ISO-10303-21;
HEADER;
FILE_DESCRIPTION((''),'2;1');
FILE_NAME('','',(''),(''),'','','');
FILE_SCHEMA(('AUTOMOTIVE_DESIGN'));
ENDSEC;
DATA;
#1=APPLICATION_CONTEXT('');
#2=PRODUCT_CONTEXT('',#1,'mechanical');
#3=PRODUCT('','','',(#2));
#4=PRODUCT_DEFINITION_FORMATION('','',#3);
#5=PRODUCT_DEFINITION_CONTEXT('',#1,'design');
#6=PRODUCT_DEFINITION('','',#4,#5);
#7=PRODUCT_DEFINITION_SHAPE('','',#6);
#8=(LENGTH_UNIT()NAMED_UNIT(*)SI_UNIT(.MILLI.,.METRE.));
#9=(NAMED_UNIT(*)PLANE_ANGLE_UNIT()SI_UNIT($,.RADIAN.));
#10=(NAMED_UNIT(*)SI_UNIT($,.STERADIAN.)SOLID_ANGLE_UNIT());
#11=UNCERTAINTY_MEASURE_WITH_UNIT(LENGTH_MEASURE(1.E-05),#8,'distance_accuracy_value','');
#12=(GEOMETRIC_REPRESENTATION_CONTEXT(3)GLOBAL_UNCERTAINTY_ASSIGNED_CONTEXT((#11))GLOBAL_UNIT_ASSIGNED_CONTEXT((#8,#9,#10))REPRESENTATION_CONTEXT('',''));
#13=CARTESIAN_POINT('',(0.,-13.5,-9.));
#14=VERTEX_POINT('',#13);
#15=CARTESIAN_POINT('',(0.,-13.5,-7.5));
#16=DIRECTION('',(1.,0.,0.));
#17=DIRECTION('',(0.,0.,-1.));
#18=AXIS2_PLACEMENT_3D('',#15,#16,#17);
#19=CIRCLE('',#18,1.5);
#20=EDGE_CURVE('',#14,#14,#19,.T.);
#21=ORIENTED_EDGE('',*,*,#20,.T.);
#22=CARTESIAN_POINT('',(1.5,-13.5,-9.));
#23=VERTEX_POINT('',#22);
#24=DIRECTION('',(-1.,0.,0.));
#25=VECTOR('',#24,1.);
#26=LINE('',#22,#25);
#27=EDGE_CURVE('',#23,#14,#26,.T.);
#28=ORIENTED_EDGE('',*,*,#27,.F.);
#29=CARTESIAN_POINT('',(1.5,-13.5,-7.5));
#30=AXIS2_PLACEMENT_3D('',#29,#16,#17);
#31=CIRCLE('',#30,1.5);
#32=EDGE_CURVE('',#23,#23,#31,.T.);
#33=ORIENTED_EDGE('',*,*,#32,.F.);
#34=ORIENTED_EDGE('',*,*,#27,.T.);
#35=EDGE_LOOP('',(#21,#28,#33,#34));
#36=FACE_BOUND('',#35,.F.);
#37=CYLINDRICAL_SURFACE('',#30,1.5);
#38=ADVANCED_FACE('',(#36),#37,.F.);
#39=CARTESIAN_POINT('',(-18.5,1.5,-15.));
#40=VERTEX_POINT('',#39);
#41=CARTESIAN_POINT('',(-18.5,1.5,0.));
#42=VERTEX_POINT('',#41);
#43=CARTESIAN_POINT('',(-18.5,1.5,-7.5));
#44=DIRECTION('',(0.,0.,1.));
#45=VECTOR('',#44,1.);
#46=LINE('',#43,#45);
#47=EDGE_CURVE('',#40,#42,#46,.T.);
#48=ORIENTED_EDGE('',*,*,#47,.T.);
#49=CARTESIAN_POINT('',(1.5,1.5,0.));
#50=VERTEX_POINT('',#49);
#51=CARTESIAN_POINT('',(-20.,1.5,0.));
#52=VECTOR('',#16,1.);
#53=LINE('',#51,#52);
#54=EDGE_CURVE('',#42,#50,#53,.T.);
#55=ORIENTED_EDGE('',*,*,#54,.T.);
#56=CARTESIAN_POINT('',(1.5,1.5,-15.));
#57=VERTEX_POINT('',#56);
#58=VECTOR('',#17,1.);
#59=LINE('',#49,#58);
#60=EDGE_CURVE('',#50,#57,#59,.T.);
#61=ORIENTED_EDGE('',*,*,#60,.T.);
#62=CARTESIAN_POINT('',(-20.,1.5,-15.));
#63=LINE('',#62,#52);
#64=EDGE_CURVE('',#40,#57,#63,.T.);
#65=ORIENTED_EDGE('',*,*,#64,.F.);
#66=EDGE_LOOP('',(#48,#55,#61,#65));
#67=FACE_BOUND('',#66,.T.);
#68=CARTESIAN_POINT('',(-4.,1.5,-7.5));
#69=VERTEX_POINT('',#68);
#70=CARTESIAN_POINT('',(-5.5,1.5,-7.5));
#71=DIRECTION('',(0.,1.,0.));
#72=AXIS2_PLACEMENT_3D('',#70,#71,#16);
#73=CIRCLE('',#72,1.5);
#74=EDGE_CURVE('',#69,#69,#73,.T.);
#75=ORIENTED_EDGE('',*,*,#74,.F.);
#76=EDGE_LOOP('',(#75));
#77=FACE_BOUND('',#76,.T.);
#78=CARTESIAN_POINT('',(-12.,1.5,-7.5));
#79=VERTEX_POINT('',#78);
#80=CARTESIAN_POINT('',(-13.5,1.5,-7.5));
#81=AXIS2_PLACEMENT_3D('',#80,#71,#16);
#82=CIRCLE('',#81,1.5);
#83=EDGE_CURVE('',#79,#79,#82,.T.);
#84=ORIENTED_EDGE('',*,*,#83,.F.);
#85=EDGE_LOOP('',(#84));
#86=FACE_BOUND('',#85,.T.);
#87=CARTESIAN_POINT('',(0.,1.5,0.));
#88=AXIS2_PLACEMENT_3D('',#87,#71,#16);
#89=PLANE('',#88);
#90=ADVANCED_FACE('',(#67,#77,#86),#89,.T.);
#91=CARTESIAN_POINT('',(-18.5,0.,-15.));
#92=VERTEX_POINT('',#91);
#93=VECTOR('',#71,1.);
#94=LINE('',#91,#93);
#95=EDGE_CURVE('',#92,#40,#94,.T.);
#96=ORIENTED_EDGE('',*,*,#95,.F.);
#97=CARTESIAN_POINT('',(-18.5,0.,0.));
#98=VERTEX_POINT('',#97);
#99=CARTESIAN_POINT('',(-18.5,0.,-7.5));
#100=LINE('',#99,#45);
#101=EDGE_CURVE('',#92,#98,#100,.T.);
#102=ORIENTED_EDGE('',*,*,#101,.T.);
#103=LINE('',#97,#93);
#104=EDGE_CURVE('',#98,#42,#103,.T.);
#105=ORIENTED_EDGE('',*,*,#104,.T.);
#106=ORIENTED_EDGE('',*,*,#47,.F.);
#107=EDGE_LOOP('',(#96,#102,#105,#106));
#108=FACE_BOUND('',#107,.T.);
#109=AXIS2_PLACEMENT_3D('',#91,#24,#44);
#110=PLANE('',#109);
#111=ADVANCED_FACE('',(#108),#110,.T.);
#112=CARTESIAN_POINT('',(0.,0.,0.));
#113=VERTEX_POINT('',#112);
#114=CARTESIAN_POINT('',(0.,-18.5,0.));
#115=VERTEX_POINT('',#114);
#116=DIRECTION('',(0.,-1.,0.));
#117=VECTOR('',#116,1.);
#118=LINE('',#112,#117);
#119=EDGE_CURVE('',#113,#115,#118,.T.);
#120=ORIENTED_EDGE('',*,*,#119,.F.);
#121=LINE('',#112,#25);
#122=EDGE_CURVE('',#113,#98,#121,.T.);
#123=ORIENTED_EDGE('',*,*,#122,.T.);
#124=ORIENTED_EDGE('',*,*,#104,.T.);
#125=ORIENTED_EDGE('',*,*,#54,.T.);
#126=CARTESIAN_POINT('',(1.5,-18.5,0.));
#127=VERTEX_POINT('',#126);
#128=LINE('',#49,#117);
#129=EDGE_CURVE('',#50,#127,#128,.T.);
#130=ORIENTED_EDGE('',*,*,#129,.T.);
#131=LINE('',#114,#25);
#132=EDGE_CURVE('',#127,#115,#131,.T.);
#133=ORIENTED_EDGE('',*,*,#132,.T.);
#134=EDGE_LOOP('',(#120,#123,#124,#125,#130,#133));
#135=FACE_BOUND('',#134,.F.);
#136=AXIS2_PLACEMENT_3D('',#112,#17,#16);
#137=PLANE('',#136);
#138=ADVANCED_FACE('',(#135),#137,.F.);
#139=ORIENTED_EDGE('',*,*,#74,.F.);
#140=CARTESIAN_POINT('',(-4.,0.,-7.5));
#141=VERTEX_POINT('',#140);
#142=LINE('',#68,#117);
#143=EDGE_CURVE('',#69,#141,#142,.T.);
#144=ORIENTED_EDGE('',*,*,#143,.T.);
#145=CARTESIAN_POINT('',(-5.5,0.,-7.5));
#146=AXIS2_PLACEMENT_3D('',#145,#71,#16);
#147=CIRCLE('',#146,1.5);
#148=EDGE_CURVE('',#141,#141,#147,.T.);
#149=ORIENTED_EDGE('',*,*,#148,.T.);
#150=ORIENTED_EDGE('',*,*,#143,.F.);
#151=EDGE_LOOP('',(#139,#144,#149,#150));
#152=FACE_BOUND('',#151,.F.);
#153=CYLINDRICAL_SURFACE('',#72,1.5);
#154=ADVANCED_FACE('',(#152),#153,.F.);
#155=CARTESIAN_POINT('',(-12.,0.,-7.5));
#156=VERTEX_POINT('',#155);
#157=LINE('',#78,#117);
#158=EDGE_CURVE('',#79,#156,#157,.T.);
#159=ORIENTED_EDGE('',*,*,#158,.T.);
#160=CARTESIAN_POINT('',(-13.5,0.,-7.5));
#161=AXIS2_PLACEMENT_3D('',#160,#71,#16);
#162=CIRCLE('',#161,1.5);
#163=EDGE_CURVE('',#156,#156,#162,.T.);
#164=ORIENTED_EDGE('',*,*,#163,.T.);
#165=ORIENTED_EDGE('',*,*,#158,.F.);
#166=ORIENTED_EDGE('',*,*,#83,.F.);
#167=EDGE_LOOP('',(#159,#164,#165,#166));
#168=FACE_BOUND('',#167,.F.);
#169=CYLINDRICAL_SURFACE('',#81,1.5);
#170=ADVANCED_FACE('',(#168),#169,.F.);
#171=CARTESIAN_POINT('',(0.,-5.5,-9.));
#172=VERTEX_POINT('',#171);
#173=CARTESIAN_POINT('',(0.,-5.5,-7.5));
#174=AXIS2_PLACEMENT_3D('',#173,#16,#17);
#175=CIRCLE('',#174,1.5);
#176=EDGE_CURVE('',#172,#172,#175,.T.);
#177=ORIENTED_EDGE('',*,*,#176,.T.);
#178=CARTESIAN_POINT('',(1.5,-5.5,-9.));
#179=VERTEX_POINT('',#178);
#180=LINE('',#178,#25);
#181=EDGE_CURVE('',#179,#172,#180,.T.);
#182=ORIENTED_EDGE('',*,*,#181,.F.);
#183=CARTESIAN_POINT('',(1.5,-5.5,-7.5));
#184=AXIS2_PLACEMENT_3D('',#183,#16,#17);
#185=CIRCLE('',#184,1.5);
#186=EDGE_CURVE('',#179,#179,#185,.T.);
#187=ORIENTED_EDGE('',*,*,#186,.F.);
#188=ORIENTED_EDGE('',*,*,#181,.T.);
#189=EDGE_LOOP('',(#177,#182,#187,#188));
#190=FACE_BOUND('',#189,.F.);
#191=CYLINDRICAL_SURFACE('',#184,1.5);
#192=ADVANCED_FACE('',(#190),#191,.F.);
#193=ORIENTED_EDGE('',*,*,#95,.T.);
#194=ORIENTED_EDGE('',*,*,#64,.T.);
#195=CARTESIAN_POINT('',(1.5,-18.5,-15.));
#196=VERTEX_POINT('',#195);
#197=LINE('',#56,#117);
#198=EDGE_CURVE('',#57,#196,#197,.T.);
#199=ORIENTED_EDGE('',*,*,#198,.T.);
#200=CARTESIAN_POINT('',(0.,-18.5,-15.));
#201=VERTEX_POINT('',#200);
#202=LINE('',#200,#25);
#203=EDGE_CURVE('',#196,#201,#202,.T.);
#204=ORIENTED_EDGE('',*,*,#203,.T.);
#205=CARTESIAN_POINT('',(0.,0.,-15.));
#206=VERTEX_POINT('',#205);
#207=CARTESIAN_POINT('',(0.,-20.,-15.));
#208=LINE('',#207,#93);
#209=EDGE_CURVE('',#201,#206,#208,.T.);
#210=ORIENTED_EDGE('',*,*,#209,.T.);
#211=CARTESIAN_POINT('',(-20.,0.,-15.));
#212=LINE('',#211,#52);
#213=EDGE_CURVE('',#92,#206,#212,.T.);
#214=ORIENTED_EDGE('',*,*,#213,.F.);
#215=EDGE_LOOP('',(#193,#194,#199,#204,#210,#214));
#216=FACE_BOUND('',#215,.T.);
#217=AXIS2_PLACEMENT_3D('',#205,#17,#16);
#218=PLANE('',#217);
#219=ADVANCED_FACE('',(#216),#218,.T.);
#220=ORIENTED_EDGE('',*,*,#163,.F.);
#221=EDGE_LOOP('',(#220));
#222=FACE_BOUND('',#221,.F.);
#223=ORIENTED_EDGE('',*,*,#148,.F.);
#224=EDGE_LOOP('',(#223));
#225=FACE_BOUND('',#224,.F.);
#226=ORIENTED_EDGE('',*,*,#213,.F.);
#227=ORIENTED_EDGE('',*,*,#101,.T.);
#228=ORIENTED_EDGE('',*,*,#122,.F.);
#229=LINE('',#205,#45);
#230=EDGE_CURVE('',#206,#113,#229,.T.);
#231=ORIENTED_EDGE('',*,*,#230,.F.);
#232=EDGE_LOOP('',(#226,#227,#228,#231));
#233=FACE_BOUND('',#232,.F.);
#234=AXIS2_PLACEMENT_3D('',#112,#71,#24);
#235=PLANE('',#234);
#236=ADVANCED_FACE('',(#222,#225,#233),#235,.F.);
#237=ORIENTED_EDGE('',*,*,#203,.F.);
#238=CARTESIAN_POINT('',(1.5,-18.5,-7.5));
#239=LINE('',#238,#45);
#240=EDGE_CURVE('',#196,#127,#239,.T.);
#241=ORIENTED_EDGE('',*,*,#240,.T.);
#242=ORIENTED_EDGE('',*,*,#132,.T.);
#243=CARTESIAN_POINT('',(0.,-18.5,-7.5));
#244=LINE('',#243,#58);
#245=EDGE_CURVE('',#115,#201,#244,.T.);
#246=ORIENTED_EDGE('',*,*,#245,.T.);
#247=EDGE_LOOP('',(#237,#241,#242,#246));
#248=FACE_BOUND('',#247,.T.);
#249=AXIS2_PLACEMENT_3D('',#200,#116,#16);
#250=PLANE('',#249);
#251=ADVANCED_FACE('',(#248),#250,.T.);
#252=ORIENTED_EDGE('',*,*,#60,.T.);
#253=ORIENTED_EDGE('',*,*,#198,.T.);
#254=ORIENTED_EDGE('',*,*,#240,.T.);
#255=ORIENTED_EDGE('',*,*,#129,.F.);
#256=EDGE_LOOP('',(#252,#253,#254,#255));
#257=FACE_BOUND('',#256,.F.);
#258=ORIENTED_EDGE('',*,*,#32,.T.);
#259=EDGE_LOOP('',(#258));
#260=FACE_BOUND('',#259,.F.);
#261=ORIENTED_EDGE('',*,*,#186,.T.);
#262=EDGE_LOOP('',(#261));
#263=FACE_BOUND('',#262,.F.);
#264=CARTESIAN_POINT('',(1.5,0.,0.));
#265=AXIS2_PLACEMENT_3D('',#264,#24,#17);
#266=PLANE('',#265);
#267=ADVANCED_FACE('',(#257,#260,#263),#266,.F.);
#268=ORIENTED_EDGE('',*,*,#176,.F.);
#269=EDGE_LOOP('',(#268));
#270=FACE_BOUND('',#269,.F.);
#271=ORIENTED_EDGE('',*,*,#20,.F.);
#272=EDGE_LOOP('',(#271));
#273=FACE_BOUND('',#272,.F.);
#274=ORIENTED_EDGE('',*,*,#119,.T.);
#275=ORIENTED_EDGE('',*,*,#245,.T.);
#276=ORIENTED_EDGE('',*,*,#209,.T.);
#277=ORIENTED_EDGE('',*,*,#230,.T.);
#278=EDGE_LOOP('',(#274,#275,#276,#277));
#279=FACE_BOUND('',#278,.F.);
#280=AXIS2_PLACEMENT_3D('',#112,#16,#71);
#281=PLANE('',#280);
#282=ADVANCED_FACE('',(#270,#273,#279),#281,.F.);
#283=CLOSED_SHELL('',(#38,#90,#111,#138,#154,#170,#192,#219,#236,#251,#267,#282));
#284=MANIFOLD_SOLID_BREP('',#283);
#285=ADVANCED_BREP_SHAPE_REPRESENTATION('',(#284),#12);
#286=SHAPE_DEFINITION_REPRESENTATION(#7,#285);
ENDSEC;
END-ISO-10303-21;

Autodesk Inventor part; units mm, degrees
ref_plane "YZ Plane" through (0, 0, 0) normal (1, 0, 0) x (0, 1, 0)
ref_plane "XZ Plane" through (0, 0, 0) normal (0, 1, 0) x (-1, 0, 0)
ref_plane "XY Plane" through (0, 0, 0) normal (0, 0, 1) x (1, 0, 0)
sketch "スケッチ1" plane through (0, 0, 0) normal (0, 1, 0) x (-1, 0, 0)
  line L0 (0, 0) -> (20, 0)
  line L1 (20, 0) -> (20, -15)
  line L2 (20, -15) -> (0, -15)
  line L3 (0, -15) -> (0, 0)
  dimension "d0" = 20
  dimension "d1" = 15
sketch "スケッチ2" plane through (0, 0, 0) normal (1, 0, 0) x (0, 1, 0)
  line L0 (0, 0) -> (-20, 0)
  line L1 (-20, 0) -> (-20, -15)
  line L2 (-20, -15) -> (0, -15)
  line L3 (0, -15) -> (0, 0)
  dimension "d2" = 20
  dimension "d3" = 15
extrude "押し出し1" add sketch "スケッチ1" along normal blind 1.5
extrude "押し出し2" add sketch "スケッチ2" along normal blind 1.5
sketch "スケッチ3" plane through (0, 0, 0) normal (0, 1, 0) x (1, 0, 0)
  line L0 (0, 15) -> (1.5, 15) projected
  line L1 (0, 0) -> (0, 15) projected
  line L2 (1.5, 15) -> (0, 15)
  line L3 (0, 15) -> (0, 0)
  line L4 (0, 0) -> (1.5, 0)
  line L5 (1.5, 0) -> (1.5, 15)
extrude "押し出し3" add sketch "スケッチ3" along normal blind 1.5
sketch "スケッチ4" plane through (1.5, 0, 0) normal (1, 0, 0) x (0, 0, -1)
  point P0 (0, 0)
sketch "スケッチ5" plane through (1.5, 0, 0) normal (1, 0, 0) x (0, 0, -1)
  point P0 (0, 0)
sketch "スケッチ6" plane through (-20, 0, -15) normal (-1, 0, 0) x (0, 0, 1)
  point P0 (15, 0)
sketch "スケッチ7" plane through (-20, 0, -15) normal (-1, 0, 0) x (0, 0, 1)
  line L0 (15.9074, 4.1741) -> (-1.7689, 4.1741)
  line L1 (-1.7689, 4.1741) -> (-1.7689, -3.4482)
  line L2 (-1.7689, -3.4482) -> (15.9074, -3.4482)
  line L3 (15.9074, -3.4482) -> (15.9074, 4.1741)
  point P0 (15, 0)
extrude "押し出し4" cut sketch "スケッチ7" against normal blind 1.5
sketch "スケッチ8" plane through (0, -20, -15) normal (0, -1, 0) x (1, 0, 0)
  line L0 (-2.0326, 16.6333) -> (6.4245, 16.6333)
  line L1 (6.4245, 16.6333) -> (6.4245, -1.5875)
  line L2 (6.4245, -1.5875) -> (-2.0326, -1.5875)
  line L3 (-2.0326, -1.5875) -> (-2.0326, 16.6333)
  point P0 (0, 15)
extrude "押し出し5" cut sketch "スケッチ8" against normal blind 1.5
sketch "スケッチ9" plane through (0, 1.5, 0) normal (0, 1, 0) x (1, 0, 0)
  circle A0 centre (-13.5, 7.5) radius 1.5
  circle A1 centre (-5.5, 7.5) radius 1.5
  point P0 (0, 0)
  dimension "d14" = 3
  dimension "d15" = 3
sketch "スケッチ10" plane through (1.5, 0, 0) normal (1, 0, 0) x (0, 0, -1)
  circle A0 centre (7.5, -5.5) radius 1.5
  circle A1 centre (7.5, -13.5) radius 1.5
  point P0 (0, 0)
  dimension "d16" = 3
  dimension "d18" = 3
extrude "押し出し6" cut sketch "スケッチ10" against normal blind 1.5
extrude "押し出し7" cut sketch "スケッチ9" against normal blind 1.5
properties part number "二つ分け角柱"
